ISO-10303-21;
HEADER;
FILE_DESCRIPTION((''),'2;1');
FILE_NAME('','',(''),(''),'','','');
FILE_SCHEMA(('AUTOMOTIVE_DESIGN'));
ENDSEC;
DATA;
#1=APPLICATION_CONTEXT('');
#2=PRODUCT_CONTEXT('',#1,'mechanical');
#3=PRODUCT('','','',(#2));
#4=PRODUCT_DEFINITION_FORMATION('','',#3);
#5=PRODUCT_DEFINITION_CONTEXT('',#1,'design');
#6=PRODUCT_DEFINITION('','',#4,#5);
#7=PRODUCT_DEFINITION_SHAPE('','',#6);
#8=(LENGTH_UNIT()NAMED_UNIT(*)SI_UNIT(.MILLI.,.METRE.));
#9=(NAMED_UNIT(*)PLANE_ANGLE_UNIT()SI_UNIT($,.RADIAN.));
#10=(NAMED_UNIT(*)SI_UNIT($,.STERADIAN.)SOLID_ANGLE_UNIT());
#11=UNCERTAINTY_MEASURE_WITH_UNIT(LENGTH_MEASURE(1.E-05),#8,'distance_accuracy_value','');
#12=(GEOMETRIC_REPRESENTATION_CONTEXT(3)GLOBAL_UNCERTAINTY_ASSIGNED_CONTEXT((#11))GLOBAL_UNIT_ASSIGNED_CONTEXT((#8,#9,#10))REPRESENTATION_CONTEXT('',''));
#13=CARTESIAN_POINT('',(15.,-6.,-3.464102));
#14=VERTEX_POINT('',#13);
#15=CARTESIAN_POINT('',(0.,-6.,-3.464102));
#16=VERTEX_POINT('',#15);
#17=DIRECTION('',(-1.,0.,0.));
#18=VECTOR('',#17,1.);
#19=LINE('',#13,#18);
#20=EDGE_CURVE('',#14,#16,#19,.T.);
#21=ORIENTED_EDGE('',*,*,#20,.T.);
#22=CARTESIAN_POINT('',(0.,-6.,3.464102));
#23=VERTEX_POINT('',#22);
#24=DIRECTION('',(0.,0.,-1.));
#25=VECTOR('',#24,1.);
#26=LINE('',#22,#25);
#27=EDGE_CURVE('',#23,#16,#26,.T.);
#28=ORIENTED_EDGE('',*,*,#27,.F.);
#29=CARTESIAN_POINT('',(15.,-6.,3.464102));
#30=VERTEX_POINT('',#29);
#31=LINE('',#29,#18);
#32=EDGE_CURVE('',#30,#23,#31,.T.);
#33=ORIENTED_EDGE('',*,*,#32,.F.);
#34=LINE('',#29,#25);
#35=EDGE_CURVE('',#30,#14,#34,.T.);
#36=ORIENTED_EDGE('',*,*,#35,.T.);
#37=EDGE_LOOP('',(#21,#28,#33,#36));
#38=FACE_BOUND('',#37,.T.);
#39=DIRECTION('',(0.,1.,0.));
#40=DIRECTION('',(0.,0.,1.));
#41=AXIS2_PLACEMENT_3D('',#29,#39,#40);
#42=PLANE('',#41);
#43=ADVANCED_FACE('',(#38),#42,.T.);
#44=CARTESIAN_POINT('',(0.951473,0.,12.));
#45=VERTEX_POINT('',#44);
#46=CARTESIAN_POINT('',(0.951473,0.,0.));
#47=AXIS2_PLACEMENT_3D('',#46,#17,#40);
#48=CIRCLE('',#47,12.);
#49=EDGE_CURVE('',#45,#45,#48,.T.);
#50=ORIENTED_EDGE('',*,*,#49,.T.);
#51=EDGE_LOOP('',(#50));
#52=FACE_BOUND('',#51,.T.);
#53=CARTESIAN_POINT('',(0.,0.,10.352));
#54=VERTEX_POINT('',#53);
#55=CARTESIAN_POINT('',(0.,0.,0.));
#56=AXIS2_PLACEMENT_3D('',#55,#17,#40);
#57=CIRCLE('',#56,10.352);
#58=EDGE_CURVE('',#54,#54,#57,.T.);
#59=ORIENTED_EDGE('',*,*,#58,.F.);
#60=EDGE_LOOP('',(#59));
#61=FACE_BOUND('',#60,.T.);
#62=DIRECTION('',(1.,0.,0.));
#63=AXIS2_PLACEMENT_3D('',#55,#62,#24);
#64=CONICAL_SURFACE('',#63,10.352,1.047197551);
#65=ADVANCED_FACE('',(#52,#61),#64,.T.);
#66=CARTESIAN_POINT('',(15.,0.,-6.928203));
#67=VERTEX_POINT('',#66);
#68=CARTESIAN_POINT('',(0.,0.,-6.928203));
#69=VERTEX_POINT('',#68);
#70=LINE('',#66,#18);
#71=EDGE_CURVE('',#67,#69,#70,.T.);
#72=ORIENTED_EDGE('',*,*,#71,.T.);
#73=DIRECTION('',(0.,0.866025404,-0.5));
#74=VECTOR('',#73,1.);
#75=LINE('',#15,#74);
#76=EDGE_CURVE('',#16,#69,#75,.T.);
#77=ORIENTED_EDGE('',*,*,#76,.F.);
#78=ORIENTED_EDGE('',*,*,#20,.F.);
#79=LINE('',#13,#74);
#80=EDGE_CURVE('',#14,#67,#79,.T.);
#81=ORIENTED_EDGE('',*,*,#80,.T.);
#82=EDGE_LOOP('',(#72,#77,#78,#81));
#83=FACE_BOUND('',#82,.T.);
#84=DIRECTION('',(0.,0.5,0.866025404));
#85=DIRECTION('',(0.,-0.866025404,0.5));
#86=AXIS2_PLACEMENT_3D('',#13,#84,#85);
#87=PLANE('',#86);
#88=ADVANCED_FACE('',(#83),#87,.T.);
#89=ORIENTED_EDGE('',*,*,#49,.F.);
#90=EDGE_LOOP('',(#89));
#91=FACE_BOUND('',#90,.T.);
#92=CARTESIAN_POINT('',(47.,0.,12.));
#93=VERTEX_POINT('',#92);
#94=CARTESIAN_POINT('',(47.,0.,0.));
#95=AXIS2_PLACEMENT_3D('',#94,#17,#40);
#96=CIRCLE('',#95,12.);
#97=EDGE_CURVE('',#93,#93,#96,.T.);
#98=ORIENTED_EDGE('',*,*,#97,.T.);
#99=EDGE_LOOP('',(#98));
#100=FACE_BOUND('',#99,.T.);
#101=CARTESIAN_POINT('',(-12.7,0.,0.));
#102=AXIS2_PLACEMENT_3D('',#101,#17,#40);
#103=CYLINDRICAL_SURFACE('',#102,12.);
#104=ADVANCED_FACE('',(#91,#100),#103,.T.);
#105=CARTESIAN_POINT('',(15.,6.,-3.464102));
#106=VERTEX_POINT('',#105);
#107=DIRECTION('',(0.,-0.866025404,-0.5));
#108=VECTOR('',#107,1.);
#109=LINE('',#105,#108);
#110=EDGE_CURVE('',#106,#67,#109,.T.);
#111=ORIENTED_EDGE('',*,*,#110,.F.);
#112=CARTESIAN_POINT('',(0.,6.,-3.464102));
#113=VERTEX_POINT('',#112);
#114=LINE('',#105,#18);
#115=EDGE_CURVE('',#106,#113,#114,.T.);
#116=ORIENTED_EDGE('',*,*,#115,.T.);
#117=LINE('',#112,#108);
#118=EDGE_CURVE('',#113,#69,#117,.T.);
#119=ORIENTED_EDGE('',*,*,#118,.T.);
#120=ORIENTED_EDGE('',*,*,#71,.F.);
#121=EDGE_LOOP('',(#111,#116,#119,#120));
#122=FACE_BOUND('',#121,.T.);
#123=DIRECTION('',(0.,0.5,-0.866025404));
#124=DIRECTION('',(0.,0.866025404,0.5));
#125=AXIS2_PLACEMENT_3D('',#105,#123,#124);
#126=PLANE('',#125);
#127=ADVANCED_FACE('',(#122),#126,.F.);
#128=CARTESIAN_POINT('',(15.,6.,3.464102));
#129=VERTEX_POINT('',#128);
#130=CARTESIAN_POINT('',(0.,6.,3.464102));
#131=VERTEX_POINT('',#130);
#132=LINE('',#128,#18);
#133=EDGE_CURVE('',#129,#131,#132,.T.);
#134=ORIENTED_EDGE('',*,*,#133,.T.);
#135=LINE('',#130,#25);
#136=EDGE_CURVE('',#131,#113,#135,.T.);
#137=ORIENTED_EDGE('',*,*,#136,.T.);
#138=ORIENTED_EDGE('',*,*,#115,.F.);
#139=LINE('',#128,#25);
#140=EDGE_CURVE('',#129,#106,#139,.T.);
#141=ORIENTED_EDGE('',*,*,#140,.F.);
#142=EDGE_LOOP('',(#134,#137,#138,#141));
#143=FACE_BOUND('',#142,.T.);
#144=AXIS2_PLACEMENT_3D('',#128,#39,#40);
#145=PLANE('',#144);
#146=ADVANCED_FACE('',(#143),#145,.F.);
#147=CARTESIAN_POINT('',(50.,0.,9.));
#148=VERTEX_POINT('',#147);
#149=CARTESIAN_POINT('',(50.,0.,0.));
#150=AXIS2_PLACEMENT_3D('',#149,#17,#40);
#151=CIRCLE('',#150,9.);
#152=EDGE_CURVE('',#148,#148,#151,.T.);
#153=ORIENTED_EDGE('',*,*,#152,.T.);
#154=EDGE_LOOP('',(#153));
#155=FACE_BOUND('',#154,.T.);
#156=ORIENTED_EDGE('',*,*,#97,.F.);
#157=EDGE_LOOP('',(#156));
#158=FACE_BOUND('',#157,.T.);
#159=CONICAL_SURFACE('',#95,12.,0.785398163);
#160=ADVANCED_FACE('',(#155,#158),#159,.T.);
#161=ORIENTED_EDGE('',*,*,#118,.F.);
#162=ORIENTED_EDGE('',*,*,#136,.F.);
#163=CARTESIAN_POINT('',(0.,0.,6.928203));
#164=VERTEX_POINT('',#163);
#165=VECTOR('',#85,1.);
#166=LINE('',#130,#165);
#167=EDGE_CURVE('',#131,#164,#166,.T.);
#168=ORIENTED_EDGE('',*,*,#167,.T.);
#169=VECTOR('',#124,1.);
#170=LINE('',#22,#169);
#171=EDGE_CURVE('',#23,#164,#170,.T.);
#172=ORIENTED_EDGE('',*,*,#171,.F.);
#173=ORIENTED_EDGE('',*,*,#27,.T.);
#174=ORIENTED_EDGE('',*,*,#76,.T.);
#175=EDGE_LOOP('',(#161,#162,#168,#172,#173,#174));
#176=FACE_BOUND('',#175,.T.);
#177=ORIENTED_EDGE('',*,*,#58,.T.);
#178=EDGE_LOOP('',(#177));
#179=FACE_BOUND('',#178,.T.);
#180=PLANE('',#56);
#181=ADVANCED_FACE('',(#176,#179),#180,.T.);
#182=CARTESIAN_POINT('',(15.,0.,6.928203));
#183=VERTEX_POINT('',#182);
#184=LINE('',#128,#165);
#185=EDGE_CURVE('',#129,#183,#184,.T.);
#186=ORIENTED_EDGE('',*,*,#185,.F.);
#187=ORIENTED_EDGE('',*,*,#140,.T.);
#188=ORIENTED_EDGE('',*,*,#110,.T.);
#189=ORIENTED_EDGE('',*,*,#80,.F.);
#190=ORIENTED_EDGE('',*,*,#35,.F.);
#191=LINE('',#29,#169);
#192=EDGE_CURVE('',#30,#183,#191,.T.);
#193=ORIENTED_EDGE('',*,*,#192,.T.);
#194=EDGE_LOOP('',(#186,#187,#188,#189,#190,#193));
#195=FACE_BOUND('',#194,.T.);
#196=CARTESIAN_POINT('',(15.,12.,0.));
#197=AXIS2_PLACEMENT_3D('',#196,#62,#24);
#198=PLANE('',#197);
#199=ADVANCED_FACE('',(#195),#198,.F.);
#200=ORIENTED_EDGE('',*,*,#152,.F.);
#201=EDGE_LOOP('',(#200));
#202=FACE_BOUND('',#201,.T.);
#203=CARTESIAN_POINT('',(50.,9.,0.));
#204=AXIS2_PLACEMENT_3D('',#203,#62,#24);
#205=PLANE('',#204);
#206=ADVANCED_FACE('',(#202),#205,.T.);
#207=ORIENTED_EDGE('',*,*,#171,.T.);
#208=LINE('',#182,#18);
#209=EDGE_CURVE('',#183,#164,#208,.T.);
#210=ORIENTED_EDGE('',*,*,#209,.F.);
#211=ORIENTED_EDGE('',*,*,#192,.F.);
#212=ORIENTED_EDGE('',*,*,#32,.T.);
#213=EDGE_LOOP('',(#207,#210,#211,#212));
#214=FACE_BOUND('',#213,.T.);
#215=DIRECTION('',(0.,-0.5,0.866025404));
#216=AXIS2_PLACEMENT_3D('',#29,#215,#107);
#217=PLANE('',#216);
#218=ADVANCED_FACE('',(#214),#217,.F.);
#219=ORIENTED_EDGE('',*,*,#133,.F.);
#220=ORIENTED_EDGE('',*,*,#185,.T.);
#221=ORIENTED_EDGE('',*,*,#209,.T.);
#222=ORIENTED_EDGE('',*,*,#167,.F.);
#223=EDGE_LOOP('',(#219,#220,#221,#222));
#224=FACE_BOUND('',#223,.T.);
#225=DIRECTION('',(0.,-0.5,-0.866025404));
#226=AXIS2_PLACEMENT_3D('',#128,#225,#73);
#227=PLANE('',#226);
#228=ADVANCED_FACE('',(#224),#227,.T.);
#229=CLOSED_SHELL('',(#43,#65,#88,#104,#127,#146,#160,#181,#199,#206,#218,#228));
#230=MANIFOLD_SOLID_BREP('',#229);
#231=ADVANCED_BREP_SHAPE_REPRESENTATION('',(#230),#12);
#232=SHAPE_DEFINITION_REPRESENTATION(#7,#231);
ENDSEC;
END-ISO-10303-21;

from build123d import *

# Parameters (mm, degrees)
HEX_2_DEPTH = 15


with BuildPart() as part:
    # BodySke → BaseBody (revolve)
    with BuildSketch(Plane.XY):
        Polygon((0, 0), (0, 10.352), (0.951473244, 12), (47, 12), (50, 9), (50, 0), align=None)
    revolve(axis=Axis((-12.7, 0, 0), (1, 0, 0)))

    # Sketch2 → Hex 2 (cut)
    with BuildSketch(Plane.ZY):
        Polygon((3.464101615, 6), (-3.464101615, 6), (-6.92820323, 0), (-3.464101615, -6), (3.464101615, -6), (6.92820323, 0), align=None)
    extrude(amount=-HEX_2_DEPTH, mode=Mode.SUBTRACT)


solid = part.part
